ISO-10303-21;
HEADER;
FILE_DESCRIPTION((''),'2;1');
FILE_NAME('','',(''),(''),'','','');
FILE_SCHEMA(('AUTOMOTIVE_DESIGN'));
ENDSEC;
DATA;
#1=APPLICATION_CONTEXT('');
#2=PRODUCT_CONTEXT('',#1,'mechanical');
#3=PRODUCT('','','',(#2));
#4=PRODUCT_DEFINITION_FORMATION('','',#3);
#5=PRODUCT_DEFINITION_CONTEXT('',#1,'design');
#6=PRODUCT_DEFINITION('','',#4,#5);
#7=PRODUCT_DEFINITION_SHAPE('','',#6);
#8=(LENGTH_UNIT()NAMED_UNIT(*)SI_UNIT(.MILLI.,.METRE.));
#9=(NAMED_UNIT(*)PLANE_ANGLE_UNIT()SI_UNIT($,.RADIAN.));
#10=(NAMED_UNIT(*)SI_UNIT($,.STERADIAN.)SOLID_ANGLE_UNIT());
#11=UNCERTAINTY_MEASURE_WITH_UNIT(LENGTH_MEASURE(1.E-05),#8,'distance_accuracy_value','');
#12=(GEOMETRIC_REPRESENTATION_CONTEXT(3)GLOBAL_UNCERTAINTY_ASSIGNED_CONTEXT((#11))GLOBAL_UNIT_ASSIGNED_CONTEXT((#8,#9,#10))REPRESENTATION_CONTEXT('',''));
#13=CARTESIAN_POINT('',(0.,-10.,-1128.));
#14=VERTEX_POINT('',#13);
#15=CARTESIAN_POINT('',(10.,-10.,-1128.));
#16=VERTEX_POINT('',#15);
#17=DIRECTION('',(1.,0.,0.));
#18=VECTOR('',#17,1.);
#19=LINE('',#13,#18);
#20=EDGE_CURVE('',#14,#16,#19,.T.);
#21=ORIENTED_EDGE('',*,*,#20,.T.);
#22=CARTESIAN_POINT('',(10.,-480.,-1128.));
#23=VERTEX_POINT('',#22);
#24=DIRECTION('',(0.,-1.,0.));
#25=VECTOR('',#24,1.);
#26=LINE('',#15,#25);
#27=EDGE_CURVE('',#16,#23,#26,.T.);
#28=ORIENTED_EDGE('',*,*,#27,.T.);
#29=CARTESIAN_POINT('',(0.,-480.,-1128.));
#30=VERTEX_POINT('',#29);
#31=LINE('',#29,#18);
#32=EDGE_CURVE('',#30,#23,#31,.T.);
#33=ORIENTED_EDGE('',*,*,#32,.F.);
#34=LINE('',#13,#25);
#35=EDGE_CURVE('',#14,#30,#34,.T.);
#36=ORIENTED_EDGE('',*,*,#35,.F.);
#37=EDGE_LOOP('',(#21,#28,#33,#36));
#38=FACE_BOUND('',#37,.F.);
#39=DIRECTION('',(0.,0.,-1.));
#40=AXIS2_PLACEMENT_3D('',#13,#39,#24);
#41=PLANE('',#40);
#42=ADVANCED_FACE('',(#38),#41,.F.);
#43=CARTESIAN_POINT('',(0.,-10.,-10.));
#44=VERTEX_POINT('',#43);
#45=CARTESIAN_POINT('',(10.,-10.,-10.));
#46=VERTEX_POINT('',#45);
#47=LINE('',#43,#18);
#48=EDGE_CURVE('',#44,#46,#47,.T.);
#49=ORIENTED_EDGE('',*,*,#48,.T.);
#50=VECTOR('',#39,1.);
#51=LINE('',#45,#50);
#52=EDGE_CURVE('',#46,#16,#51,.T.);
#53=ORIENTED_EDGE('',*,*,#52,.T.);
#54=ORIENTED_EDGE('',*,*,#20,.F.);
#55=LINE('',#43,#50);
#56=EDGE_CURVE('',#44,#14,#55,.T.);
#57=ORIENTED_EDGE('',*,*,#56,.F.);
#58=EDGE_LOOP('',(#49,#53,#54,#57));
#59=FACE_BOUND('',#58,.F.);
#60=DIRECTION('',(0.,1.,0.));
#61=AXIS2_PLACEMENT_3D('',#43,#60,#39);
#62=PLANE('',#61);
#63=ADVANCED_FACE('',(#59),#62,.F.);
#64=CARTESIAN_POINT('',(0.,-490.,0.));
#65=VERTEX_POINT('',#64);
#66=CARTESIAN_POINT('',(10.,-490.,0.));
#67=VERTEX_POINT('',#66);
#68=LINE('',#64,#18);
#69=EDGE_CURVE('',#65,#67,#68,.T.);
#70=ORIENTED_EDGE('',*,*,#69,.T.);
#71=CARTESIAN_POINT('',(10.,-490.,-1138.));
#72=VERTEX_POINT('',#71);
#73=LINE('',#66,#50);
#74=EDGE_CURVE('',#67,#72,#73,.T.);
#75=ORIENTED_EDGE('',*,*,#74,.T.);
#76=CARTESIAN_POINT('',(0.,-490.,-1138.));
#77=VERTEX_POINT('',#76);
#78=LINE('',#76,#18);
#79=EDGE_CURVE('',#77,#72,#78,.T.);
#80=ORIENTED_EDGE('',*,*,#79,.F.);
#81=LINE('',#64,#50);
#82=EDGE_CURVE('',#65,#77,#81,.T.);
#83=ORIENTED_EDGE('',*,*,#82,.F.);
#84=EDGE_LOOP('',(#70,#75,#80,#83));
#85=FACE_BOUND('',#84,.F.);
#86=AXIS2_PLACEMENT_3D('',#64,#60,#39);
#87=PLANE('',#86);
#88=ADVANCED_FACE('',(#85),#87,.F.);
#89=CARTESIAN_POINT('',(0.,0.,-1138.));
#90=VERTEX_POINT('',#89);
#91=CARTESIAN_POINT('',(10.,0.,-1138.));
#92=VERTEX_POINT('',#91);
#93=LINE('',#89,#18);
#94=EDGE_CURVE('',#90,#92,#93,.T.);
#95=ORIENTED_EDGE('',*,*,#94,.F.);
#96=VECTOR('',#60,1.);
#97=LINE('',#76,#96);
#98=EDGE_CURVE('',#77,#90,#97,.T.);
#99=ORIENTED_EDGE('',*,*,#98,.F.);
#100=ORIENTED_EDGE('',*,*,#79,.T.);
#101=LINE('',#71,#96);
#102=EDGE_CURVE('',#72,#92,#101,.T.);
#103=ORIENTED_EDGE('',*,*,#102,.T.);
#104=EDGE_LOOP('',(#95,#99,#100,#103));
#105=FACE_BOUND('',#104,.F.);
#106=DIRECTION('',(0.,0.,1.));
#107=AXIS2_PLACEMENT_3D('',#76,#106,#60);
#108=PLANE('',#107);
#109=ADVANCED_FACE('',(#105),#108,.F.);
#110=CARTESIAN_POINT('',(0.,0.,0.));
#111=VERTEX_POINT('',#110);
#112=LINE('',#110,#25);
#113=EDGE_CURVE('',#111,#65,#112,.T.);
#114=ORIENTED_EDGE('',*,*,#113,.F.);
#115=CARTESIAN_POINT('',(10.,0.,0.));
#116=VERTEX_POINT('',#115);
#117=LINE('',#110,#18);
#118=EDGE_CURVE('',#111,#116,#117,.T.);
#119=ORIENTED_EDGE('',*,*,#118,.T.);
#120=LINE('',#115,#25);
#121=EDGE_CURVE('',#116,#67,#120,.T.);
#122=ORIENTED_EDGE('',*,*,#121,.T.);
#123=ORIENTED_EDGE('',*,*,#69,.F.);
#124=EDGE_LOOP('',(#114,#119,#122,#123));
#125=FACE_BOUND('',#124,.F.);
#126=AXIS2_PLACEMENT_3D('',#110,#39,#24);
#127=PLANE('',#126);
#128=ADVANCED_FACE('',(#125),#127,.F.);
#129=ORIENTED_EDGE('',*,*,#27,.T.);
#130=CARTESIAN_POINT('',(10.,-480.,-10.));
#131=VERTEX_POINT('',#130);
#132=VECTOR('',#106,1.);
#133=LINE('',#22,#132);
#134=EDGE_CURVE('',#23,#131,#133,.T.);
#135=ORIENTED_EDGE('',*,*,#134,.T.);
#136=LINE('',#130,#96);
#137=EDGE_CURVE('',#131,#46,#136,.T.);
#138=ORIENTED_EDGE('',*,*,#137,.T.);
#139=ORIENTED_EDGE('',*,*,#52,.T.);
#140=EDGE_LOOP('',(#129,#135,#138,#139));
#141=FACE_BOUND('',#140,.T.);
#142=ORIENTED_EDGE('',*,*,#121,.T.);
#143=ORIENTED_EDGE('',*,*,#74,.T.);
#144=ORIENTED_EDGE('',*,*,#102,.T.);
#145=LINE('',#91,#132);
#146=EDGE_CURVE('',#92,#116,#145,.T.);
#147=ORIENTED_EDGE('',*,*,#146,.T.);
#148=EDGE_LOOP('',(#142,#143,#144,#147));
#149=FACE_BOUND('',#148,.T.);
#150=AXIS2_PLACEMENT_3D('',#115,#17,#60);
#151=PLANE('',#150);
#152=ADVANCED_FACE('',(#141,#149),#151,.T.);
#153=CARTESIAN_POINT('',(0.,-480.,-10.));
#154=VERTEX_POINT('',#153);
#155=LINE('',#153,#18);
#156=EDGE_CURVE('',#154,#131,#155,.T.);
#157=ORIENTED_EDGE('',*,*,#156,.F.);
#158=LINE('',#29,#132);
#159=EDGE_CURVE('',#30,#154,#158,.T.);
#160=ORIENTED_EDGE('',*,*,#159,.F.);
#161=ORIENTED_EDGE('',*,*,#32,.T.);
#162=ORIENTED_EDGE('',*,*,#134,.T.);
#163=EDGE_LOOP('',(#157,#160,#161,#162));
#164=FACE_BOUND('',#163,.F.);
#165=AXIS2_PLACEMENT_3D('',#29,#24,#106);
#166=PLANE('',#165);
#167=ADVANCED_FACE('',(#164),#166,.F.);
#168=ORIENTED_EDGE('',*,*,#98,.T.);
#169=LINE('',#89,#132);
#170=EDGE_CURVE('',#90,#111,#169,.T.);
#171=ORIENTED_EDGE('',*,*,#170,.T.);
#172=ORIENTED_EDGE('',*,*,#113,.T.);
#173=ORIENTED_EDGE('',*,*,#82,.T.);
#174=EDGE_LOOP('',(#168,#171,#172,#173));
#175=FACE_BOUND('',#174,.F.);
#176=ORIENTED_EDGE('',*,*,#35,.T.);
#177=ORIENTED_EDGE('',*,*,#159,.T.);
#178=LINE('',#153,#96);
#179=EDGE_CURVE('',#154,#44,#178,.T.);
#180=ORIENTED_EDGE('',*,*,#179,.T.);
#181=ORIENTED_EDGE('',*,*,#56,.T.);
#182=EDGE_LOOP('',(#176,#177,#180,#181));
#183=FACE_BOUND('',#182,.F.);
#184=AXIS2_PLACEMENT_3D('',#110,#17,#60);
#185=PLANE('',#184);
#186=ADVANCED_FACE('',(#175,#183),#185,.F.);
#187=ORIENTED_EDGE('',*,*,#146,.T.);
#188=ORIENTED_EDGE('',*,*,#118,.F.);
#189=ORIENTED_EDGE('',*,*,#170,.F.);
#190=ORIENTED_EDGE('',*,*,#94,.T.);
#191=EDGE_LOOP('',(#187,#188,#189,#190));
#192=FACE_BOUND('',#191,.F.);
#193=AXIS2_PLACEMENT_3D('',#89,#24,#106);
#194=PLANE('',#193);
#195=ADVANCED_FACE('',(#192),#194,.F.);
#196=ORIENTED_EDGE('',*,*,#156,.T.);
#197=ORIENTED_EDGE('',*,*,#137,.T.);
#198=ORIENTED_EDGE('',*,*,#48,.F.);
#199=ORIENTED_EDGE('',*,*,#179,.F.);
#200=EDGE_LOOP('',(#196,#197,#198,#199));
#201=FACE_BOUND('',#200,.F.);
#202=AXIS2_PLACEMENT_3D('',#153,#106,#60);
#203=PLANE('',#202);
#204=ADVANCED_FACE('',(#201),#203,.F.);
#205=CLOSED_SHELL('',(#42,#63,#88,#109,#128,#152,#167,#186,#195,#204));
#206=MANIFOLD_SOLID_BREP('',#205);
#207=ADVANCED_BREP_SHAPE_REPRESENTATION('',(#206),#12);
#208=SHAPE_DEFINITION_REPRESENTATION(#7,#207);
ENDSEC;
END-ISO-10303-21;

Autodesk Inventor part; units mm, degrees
ref_plane "YZ Plane" through (0, 0, 0) normal (1, 0, 0) x (0, 1, 0)
ref_plane "XZ Plane" through (0, 0, 0) normal (0, 1, 0) x (-1, 0, 0)
ref_plane "XY Plane" through (0, 0, 0) normal (0, 0, 1) x (1, 0, 0)
sketch "Sketch1" plane through (0, 0, 0) normal (1, 0, 0) x (0, 1, 0)
  line L0 (0, 0) -> (-490, 0)
  line L1 (-490, 0) -> (-490, -1138)
  line L2 (-490, -1138) -> (0, -1138)
  line L3 (0, -1138) -> (0, 0)
  line L4 (-480, -1128) -> (-480, -10)
  line L5 (-480, -10) -> (-10, -10)
  line L6 (-10, -10) -> (-10, -1128)
  line L7 (-10, -1128) -> (-480, -1128)
  dimension "d0" = 490
  dimension "portaAltura" = 1138
  dimension "d2" = 10
  dimension "portaLargura" = 470
extrude "Extrusion1" add sketch "Sketch1" along normal blind 10
sketch "Sketch2" plane through (0, -490, 0) normal (0, 0, 1) x (1, 0, 0)
  line L0 (0, 490) -> (0, 0) projected
  line L1 (0, 0) -> (10, 0) projected
  line L2 (10, 490) -> (10, 0) projected
  line L3 (0, 490) -> (10, 490) projected
  line L4 (0, 0) -> (-3.182, -3.182)
  line L5 (0, 0) -> (4.5, 0) construction
  line L6 (0, 490) -> (0, 0) projected
  circle A0 centre (-3.182, -3.182) radius 5
  circle A1 centre (-3.182, -3.182) radius 4
  dimension "d5" = 4.5
  dimension "d6" = 135
  dimension "d7" = 1
  dimension "d10" = 10
extrude "Extrusion2" [suppressed]
ref_plane "Work Plane1" through (0, 0, -569) normal (0, 0, 1) x (1, 0, 0)
mirror "Mirror1" [suppressed]
fillet "Fillet1" [suppressed]
ref_plane "Work Plane2" through (0, -490, -1113) normal (0, 0, 1) x (1, 0, 0)
sketch "Sketch3" plane through (0, -490, -1113) normal (0, 0, 1) x (1, 0, 0)
  arc A0 (0, 0.6748) -> (0.6748, 0) centre (-3.182, -3.182) ccw projected
  circle A1 centre (-3.182, -3.182) radius 4 projected
  line L0 (0.6748, 0) -> (10, 0) projected
  circle A2 centre (-3.182, -3.182) radius 5
  point P0 (0, 490)
  point P1 (0, 0.6748)
extrude "Extrusion3" [suppressed]
sketch "Sketch4" plane through (0, 0, 0) normal (0, 0, 1) x (1, 0, 0)
  circle A0 centre (-3.182, -493.182) radius 4 projected
  arc A1 (0, -489.3252) -> (0.6748, -490) centre (-3.182, -493.182) ccw projected
  circle A2 centre (-3.182, -493.182) radius 4 projected
  line L0 (0, -490) -> (10, -490) projected
  circle A3 centre (-3.182, -493.182) radius 5
  point P0 (0, 0)
  point P1 (0, -489.3252)
extrude "Extrusion4" [suppressed]
sketch "Sketch5" plane through (0, -490, -35) normal (0, 0, -1) x (-1, 0, 0)
  circle A0 centre (3.182, -3.182) radius 4 projected
  arc A1 (-0.6748, 0) -> (0, 0.6748) centre (3.182, -3.182) ccw projected
  circle A2 centre (3.182, -3.182) radius 5
  point P0 (0, 490)
  point P1 (0, 0.6748)
extrude "Extrusion5" [suppressed]
sketch "Sketch6" plane through (0, 0, 0) normal (0, 0, 1) x (1, 0, 0)
  line L0 (0, -490) -> (10, -490) projected
  line L1 (10, 0) -> (10, -490) projected
  line L2 (0, 0) -> (10, 0) projected
  line L3 (0, 0) -> (0, -490) projected
  line L4 (10, -490) -> (10, 0) construction
  line L5 (0, -10) -> (10, -10) construction
  line L6 (10, 0) -> (0, -10) construction
  line L7 (0, 0) -> (10, 0) construction
  line L8 (0, 0) -> (10, -10) construction
  circle A0 centre (5, -5) radius 2.5
  dimension "d19" = 5
extrude "Extrusion6" [suppressed]
sketch "Sketch7" plane through (5, -5, 10) normal (0, 0, 1) x (1, 0, 0)
  circle A0 centre (0, 0) radius 2.5 projected
  circle A1 centre (0, 0) radius 5
  point P0 (-5, 5)
  dimension "d22" = 10
extrude "Extrusion7" [suppressed]
mirror "Mirror2" [suppressed]
properties part number "porta1"
